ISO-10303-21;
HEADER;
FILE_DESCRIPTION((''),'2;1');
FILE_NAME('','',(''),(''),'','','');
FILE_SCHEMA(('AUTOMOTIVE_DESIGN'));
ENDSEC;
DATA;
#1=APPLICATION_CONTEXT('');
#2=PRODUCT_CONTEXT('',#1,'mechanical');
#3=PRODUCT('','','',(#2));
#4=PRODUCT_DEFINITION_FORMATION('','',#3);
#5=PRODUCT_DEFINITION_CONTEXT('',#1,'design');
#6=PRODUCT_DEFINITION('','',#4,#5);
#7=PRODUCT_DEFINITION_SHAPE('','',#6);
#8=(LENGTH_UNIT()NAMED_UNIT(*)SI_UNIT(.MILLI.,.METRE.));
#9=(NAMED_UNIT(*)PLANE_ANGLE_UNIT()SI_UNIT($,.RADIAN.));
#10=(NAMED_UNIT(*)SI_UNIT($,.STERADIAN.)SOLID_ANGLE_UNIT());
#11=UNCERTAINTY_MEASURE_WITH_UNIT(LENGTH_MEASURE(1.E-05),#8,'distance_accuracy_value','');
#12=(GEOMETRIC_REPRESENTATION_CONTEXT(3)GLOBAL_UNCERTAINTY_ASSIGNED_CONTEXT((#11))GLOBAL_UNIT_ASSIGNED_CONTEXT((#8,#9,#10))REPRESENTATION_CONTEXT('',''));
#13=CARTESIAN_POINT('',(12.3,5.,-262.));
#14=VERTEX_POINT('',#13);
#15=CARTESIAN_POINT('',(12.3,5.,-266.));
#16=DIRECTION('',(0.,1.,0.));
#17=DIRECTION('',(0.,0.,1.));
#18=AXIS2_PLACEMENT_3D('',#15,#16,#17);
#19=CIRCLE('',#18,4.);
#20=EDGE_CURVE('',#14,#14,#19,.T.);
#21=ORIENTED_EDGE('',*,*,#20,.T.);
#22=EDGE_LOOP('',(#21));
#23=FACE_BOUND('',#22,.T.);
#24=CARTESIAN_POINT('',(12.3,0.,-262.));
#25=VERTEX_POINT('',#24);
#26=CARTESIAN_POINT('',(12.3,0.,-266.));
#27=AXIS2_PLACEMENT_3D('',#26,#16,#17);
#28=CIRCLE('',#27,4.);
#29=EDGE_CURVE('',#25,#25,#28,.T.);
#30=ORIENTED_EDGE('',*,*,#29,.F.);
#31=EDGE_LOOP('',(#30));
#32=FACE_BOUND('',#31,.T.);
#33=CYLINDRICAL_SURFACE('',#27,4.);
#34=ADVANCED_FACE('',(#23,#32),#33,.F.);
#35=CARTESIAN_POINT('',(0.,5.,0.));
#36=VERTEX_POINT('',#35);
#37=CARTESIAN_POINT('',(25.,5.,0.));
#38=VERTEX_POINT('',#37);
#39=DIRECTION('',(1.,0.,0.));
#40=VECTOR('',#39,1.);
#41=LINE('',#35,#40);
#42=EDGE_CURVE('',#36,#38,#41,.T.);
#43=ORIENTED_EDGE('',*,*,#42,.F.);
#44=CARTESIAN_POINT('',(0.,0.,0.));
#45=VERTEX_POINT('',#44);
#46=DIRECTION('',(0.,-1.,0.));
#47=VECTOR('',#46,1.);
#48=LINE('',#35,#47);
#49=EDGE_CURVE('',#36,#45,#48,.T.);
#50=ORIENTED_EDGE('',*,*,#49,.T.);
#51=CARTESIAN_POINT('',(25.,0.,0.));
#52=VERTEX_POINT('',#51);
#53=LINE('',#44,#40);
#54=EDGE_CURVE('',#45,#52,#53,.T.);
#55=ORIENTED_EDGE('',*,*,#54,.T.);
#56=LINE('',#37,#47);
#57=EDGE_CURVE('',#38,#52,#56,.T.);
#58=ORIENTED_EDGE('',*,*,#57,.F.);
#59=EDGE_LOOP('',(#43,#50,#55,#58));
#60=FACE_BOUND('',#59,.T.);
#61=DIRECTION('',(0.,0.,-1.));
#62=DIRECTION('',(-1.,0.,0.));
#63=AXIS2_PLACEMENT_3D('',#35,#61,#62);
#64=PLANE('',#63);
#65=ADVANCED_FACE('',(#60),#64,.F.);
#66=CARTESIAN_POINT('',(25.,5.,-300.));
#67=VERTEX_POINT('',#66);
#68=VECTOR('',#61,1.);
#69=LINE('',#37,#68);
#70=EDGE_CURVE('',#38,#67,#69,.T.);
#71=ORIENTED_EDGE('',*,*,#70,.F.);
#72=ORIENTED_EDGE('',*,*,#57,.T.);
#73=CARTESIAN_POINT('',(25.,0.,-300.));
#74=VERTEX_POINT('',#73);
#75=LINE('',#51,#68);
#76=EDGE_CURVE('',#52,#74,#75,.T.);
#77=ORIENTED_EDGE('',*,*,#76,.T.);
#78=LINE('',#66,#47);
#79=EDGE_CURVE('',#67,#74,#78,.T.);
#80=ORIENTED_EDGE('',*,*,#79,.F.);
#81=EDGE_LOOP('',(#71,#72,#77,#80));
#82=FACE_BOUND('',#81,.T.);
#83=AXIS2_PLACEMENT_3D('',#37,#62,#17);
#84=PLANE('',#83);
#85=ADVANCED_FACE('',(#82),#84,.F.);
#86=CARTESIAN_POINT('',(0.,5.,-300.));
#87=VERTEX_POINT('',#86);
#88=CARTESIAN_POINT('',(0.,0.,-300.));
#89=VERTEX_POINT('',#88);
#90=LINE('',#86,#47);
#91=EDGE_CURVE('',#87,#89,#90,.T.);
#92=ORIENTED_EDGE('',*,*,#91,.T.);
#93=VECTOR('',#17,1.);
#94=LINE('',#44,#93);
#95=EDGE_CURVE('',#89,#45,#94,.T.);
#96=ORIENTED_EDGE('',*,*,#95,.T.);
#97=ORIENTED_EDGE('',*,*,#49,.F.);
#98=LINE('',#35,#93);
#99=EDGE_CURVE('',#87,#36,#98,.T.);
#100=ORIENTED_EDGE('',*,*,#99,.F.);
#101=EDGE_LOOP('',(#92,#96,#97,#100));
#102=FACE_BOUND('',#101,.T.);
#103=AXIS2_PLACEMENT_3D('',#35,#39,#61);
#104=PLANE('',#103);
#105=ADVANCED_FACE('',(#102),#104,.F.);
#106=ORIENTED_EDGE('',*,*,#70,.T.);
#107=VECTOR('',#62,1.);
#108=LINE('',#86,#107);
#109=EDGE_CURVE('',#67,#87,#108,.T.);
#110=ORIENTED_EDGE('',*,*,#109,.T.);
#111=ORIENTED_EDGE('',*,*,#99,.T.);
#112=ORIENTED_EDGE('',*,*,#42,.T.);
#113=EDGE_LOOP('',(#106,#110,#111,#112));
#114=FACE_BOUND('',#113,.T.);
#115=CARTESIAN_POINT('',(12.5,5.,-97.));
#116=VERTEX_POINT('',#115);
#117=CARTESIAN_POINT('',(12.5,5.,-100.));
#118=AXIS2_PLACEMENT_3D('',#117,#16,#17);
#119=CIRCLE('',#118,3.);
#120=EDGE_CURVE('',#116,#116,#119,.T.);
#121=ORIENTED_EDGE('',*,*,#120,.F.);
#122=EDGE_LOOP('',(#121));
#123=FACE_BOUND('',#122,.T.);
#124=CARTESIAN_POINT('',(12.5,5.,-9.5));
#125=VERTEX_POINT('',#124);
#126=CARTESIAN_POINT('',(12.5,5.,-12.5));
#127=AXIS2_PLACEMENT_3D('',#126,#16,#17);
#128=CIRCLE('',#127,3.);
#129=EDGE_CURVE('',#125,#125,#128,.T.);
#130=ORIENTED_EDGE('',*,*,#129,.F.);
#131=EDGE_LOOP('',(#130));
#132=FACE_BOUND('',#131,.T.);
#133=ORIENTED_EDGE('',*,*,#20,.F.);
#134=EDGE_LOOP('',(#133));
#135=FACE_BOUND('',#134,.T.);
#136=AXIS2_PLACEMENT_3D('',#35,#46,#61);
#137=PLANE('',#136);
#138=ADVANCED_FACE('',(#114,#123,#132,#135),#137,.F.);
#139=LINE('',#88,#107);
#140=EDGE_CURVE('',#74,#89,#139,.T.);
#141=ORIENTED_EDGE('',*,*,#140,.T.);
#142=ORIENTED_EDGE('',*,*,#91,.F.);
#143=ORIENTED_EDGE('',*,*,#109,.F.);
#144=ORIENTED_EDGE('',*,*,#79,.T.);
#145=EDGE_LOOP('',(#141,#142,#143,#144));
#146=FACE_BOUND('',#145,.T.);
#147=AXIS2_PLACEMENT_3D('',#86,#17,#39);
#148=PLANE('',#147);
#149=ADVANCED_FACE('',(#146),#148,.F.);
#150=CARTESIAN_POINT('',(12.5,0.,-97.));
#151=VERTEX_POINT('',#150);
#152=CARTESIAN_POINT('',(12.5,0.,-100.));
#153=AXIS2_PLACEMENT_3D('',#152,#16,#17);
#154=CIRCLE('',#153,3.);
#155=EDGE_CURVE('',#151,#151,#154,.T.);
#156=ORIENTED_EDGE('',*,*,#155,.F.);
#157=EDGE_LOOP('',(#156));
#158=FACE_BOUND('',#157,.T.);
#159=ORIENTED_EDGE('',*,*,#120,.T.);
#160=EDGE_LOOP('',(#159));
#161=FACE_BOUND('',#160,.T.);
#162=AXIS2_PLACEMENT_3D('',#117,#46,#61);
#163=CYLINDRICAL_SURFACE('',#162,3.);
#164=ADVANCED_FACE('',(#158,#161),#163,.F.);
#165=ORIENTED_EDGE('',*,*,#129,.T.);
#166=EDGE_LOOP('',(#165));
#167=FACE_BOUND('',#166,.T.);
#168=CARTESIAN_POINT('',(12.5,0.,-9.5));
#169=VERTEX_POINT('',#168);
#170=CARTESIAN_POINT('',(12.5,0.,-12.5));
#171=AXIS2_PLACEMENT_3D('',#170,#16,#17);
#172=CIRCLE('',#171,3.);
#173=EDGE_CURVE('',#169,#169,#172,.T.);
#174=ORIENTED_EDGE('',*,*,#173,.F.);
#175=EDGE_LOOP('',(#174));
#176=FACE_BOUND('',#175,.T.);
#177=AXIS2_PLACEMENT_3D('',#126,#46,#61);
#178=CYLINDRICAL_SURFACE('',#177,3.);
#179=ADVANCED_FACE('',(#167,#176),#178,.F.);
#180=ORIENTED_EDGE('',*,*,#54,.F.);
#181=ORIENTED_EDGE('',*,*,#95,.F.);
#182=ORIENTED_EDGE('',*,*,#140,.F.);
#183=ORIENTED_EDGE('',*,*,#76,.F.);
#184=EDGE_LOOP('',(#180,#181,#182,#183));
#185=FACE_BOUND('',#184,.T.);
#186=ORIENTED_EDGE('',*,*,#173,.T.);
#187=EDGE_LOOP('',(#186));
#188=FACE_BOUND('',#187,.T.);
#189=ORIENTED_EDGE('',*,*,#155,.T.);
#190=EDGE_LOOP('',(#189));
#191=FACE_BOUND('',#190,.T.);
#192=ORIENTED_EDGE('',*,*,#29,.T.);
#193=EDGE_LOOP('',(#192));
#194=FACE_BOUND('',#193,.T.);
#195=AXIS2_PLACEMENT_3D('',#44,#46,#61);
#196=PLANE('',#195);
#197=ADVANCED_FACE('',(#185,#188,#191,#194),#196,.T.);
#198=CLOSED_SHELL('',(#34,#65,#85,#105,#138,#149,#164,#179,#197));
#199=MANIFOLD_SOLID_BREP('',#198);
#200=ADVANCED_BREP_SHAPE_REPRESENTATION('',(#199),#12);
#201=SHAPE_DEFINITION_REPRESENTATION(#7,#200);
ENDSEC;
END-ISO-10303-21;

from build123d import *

# Parameters (mm, degrees)
SKETCH1_W           = 25
SKETCH1_H           = 300
SKETCH1_R           = 3
BOSS_EXTRUDE1_DEPTH = 5
SKETCH2_R           = 4
CUT_EXTRUDE1_DEPTH  = 302.081384346


with BuildPart() as part:
    # Sketch1 → Boss-Extrude1 (new body)
    with BuildSketch(Plane(origin=(0, 0, 0), x_dir=(1, 0, 0), z_dir=(0, 1, 0))):
        with Locations((12.5, 150)):
            Rectangle(SKETCH1_W, SKETCH1_H)
        with Locations(Location((12.5, 12.5, 0), (0, 0, 270))):
            Circle(SKETCH1_R, mode=Mode.SUBTRACT)
        with Locations(Location((12.5, 100, 0), (0, 0, 270))):
            Circle(SKETCH1_R, mode=Mode.SUBTRACT)
    extrude(amount=BOSS_EXTRUDE1_DEPTH)

    # Sketch2 → Cut-Extrude1 (cut, through all)
    with BuildSketch(Plane(origin=(0, 5, 0), x_dir=(1, 0, 0), z_dir=(0, 1, 0))):
        with Locations(Location((12.3, 266, 0), (0, 0, 270))):
            Circle(SKETCH2_R)
    extrude(amount=-CUT_EXTRUDE1_DEPTH, mode=Mode.SUBTRACT)


solid = part.part
